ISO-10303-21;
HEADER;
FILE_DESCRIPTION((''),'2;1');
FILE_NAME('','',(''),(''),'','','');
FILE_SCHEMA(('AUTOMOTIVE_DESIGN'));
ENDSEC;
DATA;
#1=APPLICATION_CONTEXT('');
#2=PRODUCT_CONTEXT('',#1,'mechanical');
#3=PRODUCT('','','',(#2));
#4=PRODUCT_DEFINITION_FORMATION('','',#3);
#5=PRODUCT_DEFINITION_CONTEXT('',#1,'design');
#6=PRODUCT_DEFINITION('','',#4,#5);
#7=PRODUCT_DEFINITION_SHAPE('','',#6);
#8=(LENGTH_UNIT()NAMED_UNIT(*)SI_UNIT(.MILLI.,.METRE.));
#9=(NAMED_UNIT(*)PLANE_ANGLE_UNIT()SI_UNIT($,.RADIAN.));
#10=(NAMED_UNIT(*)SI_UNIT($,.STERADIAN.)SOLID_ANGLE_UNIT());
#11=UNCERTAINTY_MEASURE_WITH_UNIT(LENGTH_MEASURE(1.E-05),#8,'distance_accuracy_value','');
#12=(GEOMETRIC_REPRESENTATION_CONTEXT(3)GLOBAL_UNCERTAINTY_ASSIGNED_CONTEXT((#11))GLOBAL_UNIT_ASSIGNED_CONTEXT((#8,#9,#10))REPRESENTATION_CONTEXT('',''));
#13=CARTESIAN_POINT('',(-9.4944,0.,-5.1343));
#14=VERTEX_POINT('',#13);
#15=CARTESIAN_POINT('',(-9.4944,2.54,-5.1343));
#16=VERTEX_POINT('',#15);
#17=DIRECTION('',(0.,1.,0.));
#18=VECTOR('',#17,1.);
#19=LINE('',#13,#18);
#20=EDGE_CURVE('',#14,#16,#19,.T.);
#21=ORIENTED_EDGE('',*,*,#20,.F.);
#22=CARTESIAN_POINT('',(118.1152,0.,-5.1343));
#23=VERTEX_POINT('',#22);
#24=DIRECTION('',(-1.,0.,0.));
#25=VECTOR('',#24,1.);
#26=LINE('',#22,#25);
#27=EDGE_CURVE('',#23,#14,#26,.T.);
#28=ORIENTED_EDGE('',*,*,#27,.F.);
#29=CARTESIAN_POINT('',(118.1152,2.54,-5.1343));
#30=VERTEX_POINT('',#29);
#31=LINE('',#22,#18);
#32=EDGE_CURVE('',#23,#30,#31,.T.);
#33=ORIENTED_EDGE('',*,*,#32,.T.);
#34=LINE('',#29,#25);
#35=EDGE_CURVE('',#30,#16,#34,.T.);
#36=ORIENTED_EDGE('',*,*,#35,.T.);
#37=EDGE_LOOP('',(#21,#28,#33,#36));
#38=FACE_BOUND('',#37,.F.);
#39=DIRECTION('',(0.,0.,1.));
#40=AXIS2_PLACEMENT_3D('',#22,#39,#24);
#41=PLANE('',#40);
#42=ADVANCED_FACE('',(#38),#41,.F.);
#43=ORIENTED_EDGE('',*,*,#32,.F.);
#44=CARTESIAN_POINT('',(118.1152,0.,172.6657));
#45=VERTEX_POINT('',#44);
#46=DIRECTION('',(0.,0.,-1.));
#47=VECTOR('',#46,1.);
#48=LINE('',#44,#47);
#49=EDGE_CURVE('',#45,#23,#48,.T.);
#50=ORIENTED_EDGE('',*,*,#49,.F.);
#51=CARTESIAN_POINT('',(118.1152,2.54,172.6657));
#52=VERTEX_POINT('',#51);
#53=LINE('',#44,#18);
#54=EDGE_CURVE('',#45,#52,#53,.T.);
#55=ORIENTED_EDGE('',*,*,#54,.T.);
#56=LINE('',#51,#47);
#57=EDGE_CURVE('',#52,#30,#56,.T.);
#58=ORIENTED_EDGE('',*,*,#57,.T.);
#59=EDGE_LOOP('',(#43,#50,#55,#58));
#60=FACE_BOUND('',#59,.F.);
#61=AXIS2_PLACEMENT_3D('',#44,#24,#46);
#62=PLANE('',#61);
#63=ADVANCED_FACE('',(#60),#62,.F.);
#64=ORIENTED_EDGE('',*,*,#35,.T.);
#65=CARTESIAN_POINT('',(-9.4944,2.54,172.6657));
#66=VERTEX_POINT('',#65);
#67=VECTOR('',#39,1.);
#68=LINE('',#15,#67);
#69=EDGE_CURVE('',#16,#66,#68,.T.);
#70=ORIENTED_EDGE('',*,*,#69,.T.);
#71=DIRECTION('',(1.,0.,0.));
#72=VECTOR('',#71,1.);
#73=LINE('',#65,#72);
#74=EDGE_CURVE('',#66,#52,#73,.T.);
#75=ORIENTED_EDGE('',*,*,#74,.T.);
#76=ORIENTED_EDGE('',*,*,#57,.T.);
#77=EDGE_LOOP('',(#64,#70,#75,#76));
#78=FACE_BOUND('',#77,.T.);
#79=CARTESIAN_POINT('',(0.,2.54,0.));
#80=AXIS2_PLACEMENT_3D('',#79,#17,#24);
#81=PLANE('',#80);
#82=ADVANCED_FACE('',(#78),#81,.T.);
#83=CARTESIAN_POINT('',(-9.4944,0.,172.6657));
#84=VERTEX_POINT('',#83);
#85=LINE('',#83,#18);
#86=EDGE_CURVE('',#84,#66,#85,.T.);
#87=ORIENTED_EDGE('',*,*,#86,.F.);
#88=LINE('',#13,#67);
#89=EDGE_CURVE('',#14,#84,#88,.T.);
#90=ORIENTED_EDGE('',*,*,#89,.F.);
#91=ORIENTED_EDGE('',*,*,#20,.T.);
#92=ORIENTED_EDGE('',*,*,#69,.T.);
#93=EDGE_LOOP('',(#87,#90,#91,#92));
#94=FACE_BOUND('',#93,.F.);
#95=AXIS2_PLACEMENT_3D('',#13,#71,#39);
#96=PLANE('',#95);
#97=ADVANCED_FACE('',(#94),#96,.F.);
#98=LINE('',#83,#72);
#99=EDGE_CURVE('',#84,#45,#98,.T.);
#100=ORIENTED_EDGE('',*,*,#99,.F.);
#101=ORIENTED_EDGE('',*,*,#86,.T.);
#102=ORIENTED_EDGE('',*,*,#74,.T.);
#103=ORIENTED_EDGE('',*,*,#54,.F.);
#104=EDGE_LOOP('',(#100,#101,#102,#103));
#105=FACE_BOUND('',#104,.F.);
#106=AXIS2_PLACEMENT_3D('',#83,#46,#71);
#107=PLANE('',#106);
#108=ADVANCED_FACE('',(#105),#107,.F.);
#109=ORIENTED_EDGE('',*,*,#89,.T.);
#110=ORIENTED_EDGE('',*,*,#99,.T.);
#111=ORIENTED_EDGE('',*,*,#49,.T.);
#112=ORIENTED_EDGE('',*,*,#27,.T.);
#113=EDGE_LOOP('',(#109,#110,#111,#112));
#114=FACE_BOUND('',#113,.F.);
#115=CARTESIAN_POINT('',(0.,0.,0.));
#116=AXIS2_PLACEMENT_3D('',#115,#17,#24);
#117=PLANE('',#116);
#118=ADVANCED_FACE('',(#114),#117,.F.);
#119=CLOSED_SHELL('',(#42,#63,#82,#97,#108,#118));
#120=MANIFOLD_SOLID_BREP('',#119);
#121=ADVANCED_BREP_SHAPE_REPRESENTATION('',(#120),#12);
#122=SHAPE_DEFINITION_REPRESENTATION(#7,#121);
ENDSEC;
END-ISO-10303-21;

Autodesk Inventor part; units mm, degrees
ref_plane "YZ Plane" through (0, 0, 0) normal (1, 0, 0) x (0, 1, 0)
ref_plane "XZ Plane" through (0, 0, 0) normal (0, 1, 0) x (-1, 0, 0)
ref_plane "XY Plane" through (0, 0, 0) normal (0, 0, 1) x (1, 0, 0)
sketch "Sketch1" plane through (0, 0, 0) normal (0, 1, 0) x (-1, 0, 0)
  line L0 (9.4944, 172.6657) -> (-118.1152, 172.6657)
  line L1 (-118.1152, 172.6657) -> (-118.1152, -5.1343)
  line L2 (-118.1152, -5.1343) -> (9.4944, -5.1343)
  line L3 (9.4944, -5.1343) -> (9.4944, 172.6657)
  point P0 (0, 0)
  dimension "d0" = 127.6096
  dimension "d1" = 177.8
extrude "Extrusion1" add sketch "Sketch1" along normal blind 2.54
properties part number "bottom"
